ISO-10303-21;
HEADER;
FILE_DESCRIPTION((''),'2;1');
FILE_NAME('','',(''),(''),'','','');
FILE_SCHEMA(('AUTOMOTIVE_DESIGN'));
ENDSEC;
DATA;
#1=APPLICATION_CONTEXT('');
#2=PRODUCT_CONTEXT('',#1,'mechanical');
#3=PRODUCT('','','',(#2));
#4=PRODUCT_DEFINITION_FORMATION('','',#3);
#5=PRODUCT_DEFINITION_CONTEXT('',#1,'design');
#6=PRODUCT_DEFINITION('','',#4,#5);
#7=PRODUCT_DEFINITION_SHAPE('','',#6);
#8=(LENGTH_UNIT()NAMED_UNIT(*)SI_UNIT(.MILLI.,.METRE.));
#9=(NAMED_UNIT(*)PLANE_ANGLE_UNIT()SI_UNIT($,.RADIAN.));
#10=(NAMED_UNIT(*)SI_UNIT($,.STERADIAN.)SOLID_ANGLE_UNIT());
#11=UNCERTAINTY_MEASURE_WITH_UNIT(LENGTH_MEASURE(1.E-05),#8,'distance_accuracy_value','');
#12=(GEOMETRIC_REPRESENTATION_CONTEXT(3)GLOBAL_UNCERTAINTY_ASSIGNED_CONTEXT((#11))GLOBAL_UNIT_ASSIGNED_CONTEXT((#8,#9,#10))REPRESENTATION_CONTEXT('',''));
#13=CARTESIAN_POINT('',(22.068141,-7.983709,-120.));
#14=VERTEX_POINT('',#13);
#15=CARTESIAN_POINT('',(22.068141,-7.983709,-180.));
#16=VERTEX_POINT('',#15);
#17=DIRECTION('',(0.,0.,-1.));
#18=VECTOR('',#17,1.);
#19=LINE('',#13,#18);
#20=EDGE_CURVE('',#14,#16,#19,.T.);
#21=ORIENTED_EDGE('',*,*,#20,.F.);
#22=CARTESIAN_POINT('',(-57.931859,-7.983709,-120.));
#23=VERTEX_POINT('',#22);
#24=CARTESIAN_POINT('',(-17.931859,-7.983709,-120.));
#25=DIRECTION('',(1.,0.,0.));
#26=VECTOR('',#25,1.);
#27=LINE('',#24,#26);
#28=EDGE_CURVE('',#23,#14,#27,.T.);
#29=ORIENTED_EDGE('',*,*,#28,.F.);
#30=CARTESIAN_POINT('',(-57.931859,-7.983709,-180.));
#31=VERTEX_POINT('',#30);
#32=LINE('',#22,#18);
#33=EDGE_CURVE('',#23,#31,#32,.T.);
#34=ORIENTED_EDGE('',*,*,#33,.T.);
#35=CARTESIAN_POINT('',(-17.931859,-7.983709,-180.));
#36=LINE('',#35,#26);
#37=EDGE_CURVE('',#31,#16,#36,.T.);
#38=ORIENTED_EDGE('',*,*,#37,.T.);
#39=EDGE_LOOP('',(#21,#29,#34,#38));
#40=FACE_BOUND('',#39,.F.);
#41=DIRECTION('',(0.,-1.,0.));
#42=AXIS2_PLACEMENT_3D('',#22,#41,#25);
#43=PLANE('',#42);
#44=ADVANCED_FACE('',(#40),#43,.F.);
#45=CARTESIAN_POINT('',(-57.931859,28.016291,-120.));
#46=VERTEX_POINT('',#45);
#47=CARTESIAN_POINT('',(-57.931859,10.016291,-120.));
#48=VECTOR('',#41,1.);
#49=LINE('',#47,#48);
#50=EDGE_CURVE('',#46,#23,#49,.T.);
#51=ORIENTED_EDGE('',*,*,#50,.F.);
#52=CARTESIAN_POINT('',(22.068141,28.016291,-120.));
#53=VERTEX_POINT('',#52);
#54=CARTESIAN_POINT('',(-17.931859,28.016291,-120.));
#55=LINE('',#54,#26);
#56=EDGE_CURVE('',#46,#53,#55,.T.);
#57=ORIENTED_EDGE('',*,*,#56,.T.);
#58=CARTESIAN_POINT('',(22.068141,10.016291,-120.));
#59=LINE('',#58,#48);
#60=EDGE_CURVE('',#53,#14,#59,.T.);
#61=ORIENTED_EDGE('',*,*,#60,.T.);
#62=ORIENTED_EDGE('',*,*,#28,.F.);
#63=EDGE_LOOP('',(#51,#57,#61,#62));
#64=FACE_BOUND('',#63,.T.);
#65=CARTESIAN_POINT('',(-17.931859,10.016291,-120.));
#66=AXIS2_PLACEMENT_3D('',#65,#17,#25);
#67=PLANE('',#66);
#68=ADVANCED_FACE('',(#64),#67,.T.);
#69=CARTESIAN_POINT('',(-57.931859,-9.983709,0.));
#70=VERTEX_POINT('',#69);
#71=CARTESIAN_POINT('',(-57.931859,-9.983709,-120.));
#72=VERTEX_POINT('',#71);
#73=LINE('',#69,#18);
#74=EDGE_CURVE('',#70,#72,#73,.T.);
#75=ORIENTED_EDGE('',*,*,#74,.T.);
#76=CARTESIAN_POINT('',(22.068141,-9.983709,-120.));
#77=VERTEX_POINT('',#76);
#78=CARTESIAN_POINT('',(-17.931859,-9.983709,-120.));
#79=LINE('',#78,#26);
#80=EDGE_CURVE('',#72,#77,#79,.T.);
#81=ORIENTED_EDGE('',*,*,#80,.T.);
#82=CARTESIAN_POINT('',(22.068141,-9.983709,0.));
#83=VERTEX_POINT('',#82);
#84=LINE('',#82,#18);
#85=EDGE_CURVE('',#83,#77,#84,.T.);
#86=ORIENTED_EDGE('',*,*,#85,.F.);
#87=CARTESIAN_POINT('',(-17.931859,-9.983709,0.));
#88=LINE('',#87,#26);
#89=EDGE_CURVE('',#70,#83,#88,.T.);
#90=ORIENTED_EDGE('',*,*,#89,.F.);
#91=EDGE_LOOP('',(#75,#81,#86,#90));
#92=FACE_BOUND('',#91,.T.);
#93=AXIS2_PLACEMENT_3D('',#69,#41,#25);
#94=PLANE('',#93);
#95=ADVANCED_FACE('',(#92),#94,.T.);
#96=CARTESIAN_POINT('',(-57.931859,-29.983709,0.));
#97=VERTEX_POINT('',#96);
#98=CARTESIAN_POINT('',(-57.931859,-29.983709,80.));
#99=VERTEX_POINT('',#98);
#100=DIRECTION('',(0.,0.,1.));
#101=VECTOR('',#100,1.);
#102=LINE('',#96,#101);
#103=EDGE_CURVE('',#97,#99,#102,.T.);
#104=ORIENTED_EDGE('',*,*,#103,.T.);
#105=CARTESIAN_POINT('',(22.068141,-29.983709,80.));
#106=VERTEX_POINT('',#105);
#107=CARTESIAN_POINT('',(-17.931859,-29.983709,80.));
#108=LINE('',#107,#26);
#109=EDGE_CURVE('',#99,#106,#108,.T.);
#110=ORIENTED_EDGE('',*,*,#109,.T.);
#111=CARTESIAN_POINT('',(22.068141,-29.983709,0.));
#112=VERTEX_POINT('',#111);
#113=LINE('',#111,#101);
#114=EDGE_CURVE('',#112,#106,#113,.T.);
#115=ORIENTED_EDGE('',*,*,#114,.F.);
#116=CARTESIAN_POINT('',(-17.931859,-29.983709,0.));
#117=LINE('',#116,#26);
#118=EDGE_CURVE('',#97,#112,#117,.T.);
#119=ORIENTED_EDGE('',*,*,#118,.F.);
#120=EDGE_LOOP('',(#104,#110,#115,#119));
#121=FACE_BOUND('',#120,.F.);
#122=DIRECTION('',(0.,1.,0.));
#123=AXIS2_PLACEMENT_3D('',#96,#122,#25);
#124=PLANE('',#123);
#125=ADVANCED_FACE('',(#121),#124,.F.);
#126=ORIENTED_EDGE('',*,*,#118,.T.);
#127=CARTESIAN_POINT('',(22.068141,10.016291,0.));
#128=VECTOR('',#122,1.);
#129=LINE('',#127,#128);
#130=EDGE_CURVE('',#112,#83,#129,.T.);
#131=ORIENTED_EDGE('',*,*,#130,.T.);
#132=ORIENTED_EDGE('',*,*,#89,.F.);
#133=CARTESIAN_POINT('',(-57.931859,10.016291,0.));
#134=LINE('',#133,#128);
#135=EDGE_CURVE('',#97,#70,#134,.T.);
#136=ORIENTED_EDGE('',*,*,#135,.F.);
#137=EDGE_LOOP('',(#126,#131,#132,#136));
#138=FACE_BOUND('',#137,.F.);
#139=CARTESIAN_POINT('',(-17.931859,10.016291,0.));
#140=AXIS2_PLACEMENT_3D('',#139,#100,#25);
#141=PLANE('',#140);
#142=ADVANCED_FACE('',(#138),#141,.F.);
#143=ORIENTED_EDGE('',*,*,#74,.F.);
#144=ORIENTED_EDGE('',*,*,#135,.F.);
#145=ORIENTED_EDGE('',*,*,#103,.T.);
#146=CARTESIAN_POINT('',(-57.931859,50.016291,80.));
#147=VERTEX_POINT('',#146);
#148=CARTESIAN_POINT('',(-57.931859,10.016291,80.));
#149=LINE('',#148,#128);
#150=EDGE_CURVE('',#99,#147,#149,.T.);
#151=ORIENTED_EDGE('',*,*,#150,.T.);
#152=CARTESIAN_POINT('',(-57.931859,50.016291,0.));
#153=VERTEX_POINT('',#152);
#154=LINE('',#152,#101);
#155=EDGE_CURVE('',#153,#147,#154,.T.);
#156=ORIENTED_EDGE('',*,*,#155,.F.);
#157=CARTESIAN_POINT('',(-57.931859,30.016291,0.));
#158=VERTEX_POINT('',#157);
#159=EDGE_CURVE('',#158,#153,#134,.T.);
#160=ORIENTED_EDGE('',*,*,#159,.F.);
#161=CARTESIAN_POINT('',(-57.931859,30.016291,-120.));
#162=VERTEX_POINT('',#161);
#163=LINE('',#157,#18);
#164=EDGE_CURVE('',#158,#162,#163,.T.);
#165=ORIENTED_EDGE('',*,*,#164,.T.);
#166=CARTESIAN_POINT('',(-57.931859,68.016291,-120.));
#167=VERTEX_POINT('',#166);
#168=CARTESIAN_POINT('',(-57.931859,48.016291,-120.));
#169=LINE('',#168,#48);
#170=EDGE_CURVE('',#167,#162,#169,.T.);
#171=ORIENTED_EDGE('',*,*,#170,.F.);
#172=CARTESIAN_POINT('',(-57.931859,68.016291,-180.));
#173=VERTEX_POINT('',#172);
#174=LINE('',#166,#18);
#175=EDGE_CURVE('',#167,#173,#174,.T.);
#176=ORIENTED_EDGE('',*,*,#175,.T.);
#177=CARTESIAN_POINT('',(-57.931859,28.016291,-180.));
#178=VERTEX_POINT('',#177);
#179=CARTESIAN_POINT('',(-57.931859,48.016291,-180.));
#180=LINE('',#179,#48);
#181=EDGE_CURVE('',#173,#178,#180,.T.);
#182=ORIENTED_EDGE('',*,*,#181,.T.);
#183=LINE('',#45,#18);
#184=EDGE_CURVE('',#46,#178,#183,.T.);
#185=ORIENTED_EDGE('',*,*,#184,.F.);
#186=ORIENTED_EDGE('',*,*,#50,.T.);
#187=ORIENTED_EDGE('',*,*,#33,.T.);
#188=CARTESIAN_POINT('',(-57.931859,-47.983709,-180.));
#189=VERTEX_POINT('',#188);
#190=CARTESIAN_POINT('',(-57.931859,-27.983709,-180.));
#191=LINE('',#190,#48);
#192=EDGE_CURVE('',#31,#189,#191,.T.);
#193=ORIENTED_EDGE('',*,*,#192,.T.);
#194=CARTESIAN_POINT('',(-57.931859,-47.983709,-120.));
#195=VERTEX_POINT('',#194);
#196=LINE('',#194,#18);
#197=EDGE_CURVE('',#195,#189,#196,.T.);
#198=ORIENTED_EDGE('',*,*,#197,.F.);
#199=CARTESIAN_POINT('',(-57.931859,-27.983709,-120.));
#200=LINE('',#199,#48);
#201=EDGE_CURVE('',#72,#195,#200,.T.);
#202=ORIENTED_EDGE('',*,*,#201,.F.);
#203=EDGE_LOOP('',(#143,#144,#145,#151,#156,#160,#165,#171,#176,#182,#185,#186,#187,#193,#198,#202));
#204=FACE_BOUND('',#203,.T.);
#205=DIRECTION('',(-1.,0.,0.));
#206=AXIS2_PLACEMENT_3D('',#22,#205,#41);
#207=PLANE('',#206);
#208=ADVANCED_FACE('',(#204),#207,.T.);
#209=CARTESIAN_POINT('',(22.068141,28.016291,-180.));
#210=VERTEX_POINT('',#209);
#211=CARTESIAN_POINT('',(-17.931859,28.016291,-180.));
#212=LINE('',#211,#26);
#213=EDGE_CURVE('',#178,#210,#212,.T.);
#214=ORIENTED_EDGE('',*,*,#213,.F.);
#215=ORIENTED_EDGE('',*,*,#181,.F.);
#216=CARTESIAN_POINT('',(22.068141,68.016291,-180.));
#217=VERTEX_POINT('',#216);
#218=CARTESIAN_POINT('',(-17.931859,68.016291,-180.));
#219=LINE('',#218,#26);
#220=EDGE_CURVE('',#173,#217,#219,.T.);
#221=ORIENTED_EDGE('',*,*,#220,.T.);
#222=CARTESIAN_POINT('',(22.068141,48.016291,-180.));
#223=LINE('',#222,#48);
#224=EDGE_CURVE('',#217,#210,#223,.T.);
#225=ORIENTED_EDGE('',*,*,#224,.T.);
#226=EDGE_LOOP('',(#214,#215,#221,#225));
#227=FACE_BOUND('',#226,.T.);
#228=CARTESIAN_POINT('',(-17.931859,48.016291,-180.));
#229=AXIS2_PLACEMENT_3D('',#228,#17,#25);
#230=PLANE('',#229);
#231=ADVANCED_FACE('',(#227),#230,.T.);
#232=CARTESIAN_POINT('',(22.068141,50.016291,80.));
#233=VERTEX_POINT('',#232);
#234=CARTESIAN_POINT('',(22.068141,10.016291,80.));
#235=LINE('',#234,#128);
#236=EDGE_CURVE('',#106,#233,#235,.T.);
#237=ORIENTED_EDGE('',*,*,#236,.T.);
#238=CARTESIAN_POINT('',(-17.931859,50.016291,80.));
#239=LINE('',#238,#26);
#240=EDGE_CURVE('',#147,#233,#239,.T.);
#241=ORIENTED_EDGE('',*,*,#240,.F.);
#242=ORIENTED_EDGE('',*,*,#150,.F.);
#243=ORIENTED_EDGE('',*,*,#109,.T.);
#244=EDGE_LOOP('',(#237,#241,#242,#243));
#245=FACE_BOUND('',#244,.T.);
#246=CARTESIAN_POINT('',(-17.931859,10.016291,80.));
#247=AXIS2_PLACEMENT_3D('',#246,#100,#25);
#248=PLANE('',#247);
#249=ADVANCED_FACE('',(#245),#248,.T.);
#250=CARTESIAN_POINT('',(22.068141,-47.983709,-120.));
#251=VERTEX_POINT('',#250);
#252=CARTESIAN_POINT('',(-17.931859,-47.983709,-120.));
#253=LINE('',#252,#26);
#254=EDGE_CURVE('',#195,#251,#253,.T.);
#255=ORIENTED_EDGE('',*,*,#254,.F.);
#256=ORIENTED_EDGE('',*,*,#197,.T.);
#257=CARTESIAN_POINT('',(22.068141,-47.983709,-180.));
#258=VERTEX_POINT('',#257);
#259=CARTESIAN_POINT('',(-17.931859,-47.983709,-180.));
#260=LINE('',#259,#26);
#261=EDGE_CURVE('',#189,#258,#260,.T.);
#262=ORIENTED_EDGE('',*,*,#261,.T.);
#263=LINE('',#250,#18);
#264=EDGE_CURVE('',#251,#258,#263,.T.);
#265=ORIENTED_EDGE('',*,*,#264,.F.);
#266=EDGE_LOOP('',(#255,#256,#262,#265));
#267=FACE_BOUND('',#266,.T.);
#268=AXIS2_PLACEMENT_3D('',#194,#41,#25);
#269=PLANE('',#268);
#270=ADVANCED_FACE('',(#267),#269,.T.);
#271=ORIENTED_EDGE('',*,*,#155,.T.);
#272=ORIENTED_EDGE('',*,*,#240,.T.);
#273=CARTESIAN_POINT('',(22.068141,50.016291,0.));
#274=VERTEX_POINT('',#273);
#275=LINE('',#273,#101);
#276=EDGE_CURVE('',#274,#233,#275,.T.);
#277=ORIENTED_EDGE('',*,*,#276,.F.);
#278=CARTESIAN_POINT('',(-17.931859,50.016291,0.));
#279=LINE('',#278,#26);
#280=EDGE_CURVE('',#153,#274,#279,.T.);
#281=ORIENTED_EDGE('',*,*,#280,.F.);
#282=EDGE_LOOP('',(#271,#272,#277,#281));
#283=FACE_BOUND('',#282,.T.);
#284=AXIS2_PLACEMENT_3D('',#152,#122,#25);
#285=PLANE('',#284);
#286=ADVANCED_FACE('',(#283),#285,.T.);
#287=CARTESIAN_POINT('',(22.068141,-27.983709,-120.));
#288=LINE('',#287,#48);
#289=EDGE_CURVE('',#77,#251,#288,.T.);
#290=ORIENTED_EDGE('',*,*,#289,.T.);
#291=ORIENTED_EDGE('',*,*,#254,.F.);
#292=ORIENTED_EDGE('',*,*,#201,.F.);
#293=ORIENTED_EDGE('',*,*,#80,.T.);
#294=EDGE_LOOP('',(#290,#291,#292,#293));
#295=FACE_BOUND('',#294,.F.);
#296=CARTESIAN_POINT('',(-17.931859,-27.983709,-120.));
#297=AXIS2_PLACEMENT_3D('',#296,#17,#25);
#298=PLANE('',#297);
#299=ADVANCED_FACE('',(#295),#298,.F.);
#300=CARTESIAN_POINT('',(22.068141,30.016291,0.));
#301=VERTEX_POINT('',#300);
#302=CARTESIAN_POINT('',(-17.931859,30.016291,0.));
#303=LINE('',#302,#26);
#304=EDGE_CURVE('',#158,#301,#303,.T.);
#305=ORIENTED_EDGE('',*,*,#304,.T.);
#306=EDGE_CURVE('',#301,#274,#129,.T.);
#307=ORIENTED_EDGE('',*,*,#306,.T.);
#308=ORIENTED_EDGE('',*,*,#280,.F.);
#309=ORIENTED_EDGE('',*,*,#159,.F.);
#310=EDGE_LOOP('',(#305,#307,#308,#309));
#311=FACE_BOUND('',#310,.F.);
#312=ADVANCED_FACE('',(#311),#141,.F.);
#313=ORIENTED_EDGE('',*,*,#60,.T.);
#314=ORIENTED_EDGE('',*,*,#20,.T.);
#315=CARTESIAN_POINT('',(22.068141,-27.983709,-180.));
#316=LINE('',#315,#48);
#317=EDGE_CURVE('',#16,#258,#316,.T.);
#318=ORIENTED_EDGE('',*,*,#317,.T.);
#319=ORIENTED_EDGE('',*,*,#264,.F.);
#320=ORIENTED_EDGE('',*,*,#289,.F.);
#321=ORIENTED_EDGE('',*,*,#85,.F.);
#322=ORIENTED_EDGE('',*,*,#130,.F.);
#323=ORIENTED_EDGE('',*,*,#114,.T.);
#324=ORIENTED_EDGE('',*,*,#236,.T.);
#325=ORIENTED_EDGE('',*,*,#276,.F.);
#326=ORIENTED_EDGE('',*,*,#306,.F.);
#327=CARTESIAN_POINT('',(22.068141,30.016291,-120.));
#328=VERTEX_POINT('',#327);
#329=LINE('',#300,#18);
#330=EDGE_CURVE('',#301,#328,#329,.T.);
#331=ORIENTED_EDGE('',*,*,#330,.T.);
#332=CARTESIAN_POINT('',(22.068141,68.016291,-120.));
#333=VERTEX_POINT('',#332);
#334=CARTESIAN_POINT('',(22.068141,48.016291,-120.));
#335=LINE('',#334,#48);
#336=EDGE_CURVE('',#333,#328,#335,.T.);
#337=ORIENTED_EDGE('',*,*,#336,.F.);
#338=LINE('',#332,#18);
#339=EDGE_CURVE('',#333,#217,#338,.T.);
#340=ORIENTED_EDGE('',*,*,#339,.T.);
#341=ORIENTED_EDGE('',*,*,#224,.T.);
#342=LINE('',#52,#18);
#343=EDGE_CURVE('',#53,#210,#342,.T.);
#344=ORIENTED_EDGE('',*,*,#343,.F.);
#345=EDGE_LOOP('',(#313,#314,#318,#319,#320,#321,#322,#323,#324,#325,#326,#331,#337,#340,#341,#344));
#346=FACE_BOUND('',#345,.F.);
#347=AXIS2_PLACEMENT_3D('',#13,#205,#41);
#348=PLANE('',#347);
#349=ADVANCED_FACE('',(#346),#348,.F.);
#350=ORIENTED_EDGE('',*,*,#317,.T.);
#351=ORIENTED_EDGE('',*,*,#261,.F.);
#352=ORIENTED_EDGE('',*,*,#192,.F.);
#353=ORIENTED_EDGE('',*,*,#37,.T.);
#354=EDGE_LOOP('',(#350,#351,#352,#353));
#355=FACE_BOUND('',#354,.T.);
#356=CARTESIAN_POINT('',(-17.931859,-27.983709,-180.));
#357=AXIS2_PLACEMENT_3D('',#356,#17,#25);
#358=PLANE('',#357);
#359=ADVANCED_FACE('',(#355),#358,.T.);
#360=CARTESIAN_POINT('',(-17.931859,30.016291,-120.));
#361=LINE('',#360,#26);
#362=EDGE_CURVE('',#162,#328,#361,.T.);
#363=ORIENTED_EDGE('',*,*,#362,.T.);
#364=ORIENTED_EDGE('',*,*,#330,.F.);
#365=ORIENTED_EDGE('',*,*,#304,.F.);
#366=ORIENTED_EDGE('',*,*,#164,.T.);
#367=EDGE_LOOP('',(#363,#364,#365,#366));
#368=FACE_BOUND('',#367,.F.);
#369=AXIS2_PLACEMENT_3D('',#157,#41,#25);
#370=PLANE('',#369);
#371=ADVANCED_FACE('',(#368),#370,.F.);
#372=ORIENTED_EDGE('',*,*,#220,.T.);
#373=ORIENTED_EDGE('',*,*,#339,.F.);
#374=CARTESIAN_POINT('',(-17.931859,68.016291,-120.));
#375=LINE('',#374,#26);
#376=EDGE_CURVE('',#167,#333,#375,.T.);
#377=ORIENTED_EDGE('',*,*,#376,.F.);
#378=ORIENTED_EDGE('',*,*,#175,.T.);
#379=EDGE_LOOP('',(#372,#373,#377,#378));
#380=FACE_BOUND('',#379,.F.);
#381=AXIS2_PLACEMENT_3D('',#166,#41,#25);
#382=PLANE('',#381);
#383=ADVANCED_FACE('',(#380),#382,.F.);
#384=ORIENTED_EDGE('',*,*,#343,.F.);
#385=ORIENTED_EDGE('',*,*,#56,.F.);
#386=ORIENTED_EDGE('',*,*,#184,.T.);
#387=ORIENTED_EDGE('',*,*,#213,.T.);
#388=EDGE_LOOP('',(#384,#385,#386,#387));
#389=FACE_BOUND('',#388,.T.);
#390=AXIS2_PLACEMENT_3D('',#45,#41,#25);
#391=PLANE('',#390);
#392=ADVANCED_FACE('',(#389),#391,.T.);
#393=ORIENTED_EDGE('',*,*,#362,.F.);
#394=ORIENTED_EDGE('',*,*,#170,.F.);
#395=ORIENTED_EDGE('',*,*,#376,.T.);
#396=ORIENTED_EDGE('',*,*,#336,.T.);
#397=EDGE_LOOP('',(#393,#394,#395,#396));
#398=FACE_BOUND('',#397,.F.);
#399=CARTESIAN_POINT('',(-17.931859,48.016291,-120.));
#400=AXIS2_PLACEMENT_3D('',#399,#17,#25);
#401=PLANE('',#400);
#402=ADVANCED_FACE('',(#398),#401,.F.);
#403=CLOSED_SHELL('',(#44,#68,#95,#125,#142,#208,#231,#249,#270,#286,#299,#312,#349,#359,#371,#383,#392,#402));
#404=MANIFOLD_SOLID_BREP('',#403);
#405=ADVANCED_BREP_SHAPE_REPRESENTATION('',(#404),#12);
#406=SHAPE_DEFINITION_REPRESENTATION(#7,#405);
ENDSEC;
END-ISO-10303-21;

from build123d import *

# Parameters (mm, degrees)
F0_W     = 80
F0_H     = 80
F1_DEPTH = 80
F2_W     = 80
F2_H     = 40
F3_DEPTH = 120
F4_W     = 80
F4_H     = 40
F5_DEPTH = 60


with BuildPart() as f1:
    # F0 (on Top) → F1 (new body)
    with BuildSketch(Plane.XY):
        with Locations((-17.931859, 10.016291)):
            Rectangle(F0_W, F0_H)
    extrude(amount=F1_DEPTH)

    # F2 (on face) → F3 (join)
    with BuildSketch(Plane(origin=(0, 0, 0), x_dir=(1, 0, 0), z_dir=(0, 0, -1))):
        with Locations((-17.931859, -10.016291)):
            Rectangle(F2_W, F2_H)
    extrude(amount=F3_DEPTH)

    # F4 (on face) → F5 (join)
    with BuildSketch(Plane(origin=(0, 0, -120), x_dir=(1, 0, 0), z_dir=(0, 0, -1))):
        with Locations((-17.931859, 27.983709)):
            Rectangle(F4_W, F4_H)
        with Locations((-17.931859, -48.016291)):
            Rectangle(F4_W, F4_H)
    extrude(amount=F5_DEPTH)


solid = f1.part
